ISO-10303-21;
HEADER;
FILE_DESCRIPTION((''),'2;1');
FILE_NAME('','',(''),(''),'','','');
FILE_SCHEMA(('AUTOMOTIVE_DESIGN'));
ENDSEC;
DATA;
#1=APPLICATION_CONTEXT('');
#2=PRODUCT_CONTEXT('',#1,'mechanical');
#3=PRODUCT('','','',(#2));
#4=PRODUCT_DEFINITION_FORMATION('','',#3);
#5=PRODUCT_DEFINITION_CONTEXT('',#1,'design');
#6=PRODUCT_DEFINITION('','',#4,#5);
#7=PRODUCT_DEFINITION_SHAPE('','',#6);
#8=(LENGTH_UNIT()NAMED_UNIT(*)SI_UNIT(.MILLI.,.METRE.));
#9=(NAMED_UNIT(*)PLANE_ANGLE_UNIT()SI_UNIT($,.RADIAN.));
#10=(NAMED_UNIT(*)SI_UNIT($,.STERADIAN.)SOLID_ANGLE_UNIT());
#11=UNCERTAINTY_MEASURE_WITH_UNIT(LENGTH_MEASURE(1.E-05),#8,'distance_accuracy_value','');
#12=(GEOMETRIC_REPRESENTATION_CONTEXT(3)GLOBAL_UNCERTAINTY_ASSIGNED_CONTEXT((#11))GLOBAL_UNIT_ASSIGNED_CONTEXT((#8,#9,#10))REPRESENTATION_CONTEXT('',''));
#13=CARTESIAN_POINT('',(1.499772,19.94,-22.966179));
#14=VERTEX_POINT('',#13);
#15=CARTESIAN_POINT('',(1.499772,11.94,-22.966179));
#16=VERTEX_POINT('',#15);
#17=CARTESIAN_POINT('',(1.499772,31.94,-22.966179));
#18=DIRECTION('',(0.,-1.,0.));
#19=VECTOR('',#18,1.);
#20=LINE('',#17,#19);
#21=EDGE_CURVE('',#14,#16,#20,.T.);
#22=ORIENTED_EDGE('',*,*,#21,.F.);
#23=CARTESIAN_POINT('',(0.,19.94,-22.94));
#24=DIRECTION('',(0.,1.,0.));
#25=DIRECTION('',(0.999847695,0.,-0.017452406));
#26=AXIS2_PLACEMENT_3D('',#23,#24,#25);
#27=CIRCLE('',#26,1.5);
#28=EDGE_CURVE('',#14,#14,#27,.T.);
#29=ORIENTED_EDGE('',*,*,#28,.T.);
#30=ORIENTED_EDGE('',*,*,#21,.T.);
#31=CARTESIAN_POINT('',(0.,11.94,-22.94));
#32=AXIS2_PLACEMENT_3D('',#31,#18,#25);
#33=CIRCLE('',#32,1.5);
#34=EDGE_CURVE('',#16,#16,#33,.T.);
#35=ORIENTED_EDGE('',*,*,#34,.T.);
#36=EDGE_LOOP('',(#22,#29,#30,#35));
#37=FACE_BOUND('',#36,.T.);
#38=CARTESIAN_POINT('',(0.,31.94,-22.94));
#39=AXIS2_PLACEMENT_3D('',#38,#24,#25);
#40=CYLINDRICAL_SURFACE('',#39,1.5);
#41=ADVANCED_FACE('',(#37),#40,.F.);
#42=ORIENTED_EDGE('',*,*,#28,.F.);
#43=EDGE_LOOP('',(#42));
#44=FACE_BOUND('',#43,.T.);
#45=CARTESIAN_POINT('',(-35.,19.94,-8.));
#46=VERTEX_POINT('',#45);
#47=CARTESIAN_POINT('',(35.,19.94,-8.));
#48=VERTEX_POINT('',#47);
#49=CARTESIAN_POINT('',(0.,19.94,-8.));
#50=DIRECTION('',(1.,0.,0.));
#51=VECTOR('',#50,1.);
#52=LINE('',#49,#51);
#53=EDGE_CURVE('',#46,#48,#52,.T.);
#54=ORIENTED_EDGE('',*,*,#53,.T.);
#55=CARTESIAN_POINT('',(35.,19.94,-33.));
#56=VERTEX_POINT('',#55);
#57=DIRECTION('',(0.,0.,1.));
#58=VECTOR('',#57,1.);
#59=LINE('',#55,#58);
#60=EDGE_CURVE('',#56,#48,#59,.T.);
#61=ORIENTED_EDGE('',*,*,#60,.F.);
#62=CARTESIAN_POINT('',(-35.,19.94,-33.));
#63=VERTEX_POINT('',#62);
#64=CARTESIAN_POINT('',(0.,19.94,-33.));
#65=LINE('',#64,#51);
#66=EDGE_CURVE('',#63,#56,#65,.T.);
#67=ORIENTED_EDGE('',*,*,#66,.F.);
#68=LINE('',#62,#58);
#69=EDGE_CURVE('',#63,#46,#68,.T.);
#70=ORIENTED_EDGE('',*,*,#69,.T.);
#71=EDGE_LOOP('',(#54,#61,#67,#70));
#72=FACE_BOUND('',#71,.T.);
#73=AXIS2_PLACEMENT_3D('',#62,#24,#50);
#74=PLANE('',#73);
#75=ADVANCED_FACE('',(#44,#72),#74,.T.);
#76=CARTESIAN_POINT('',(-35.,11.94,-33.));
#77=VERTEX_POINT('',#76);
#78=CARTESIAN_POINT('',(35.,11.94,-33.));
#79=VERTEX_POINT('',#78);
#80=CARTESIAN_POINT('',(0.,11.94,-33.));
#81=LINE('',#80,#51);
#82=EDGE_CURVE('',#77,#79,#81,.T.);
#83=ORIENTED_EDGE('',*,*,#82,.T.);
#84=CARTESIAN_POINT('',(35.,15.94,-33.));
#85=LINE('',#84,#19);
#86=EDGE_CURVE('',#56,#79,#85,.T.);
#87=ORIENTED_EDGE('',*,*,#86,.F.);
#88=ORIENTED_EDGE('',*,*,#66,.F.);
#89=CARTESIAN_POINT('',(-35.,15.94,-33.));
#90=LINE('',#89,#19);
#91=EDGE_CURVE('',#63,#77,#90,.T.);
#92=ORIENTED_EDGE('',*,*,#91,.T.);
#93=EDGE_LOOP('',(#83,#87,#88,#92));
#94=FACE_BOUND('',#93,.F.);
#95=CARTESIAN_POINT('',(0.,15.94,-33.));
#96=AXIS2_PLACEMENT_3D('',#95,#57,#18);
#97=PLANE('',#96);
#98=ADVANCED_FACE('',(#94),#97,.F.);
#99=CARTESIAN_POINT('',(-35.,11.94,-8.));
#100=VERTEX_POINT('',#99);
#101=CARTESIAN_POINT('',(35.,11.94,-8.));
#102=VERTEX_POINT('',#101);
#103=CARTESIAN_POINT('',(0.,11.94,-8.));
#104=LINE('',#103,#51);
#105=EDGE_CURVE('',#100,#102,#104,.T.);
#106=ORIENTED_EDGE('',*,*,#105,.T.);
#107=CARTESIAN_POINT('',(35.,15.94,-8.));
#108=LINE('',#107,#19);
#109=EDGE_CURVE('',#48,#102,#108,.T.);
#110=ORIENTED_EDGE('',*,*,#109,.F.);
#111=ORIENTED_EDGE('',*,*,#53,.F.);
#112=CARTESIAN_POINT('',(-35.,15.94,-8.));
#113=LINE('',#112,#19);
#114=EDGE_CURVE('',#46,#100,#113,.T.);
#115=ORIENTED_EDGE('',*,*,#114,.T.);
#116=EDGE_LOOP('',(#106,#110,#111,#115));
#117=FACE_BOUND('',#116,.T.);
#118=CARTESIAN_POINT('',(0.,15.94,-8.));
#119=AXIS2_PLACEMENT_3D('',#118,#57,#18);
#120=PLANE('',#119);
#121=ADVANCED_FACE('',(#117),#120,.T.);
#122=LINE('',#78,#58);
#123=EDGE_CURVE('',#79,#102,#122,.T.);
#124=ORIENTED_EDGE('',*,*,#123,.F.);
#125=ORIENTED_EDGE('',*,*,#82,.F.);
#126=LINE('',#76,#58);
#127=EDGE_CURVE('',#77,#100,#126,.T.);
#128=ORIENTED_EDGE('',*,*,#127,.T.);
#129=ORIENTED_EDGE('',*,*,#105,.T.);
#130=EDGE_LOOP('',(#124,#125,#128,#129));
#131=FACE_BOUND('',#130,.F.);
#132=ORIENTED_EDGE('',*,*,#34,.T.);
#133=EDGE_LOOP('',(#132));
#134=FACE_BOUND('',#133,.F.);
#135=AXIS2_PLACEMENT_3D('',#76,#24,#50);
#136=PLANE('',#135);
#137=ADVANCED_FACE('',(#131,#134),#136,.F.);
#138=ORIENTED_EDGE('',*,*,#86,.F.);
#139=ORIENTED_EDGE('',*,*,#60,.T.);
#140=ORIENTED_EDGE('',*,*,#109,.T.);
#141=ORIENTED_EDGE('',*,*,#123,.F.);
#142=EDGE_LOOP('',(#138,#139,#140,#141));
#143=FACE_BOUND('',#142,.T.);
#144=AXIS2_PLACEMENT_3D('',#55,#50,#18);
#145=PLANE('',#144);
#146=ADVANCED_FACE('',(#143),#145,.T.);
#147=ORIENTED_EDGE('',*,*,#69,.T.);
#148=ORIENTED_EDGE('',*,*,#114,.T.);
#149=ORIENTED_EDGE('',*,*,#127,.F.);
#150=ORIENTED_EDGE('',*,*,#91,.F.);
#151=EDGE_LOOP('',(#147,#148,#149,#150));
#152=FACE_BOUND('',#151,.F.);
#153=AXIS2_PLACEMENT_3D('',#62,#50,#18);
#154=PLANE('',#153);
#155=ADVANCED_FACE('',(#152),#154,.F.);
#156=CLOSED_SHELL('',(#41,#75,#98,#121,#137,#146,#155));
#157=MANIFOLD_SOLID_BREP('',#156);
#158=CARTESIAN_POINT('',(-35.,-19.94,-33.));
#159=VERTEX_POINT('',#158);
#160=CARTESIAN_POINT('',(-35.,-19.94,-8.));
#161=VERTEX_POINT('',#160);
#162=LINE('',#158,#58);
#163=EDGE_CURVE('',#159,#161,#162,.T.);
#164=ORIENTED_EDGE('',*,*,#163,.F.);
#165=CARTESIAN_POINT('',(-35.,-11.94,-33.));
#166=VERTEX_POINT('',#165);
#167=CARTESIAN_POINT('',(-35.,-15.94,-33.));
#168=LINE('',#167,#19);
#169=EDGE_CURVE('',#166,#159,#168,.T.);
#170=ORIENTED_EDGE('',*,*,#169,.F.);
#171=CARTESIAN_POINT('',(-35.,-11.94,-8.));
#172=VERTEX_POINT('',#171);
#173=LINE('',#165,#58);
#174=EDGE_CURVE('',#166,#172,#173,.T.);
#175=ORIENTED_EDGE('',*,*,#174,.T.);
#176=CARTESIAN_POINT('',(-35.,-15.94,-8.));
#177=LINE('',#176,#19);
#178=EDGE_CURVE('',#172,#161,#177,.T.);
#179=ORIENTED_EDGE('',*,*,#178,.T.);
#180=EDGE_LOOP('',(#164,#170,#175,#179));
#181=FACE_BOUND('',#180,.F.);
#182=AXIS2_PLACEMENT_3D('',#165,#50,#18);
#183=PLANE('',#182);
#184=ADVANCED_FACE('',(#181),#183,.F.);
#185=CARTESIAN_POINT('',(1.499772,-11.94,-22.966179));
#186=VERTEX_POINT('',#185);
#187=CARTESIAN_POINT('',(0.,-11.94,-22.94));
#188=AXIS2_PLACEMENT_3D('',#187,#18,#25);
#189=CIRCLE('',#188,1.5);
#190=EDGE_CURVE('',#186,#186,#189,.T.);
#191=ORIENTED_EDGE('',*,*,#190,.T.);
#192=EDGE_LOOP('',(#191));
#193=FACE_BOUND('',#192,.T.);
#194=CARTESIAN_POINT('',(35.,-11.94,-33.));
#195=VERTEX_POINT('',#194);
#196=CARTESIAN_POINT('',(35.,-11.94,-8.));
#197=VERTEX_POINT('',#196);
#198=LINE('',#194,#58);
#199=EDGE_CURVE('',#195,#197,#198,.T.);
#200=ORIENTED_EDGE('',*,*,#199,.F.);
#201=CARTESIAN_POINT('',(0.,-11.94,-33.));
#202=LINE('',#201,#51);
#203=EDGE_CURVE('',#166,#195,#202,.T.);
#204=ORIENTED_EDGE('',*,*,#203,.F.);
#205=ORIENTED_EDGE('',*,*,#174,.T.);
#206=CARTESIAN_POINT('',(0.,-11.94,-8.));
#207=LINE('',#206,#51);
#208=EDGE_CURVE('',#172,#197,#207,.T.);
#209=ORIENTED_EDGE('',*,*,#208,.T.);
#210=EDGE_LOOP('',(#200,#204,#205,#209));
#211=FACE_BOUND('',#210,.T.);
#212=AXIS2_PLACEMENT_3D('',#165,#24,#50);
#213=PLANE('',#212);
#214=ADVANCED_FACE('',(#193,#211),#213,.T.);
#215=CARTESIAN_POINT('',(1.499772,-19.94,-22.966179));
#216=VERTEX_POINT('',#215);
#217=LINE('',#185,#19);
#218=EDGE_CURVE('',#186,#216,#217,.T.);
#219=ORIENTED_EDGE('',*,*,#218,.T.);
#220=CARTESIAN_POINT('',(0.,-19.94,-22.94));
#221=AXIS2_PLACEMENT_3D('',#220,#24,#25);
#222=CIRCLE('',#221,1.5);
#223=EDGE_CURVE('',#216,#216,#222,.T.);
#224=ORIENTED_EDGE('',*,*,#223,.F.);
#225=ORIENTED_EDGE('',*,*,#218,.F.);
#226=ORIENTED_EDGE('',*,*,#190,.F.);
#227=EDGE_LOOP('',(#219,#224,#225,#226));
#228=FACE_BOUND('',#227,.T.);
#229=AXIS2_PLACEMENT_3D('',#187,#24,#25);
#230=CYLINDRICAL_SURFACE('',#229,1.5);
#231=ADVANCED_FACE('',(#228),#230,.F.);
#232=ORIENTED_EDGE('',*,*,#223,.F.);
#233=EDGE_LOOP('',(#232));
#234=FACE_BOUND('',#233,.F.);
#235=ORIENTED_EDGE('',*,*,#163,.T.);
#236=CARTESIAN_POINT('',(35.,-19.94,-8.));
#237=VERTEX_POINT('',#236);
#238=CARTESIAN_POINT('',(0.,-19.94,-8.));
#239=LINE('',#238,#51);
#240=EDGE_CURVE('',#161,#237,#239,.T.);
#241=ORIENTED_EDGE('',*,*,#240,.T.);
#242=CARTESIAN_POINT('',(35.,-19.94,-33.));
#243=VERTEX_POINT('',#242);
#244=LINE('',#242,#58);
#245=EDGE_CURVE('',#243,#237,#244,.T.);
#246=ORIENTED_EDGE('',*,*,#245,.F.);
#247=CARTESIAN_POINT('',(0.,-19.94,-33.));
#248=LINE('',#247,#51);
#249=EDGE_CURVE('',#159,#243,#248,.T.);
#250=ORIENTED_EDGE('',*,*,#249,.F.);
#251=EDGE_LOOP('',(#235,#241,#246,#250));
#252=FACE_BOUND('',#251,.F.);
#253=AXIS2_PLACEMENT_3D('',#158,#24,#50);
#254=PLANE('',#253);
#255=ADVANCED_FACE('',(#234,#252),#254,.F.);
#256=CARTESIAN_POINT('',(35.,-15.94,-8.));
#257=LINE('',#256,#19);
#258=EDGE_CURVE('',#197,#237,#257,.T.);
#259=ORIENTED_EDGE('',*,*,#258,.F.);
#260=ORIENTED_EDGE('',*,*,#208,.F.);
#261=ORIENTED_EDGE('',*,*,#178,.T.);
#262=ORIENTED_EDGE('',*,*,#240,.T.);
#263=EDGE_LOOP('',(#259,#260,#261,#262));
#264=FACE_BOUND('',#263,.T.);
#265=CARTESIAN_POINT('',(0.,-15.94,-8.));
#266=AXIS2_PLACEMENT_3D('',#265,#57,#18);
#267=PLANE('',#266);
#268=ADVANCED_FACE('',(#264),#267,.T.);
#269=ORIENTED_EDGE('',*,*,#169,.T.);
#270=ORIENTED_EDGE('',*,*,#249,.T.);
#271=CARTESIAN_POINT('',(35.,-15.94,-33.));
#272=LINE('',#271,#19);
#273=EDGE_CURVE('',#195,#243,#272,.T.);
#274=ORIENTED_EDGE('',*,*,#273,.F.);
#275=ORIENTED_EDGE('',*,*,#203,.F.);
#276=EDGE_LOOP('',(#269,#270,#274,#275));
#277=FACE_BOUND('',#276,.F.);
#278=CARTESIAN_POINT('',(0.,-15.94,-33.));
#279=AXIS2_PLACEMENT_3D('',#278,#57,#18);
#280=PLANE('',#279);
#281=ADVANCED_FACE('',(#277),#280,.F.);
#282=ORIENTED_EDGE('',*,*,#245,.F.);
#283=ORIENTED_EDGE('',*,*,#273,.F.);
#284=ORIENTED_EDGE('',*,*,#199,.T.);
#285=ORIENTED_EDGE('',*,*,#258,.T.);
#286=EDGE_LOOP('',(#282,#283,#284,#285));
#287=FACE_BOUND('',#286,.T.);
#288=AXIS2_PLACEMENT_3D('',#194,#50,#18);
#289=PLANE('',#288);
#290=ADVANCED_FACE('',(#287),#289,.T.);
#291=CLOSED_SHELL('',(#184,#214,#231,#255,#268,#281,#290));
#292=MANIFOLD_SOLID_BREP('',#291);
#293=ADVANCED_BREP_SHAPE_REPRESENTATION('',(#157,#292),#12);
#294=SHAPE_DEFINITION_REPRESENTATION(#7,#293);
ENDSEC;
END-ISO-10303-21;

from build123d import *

# Parameters (mm, degrees)
TORUS001_R               = 1.5
TORUS001_ANGLE           = 90
TORUS001_PITCH_ANGLE     = 90
TORUS001_PLACEMENT_ANGLE = -180
TORUS_R                  = 1.5
TORUS_ANGLE              = 90
TORUS_PITCH_ANGLE        = 90
CYLINDER021_R            = 1.5
CYLINDER021_DEPTH        = 20
CYLINDER021_ROLL_ANGLE   = 90
CYLINDER021_PITCH_ANGLE  = 1
CYLINDER020_R            = 1.5
CYLINDER020_DEPTH        = 20
CYLINDER020_ROLL_ANGLE   = 90
CYLINDER020_PITCH_ANGLE  = 1
BOX001_W                 = 0.7
BOX001_H                 = 0.4
BOX001_DEPTH             = 10
CYLINDER004_R            = 0.65
CYLINDER004_DEPTH        = 10
CYLINDER002_R            = 1.5
CYLINDER002_DEPTH        = 79
BOX002_W                 = 0.7
BOX002_H                 = 0.4
BOX002_DEPTH             = 10
CYLINDER003_R            = 0.65
CYLINDER003_DEPTH        = 10
CYLINDER001_R            = 1.5
CYLINDER001_DEPTH        = 79
BOX011_W                 = 8
BOX011_H                 = 70
BOX011_DEPTH             = 25
BOX011_PLACEMENT_ANGLE   = -90
BOX010_W                 = 8
BOX010_H                 = 70
BOX010_DEPTH             = 25
BOX010_PLACEMENT_ANGLE   = -90


with BuildPart() as f_316_bent002:
    # Torus001 → Torus001 (revolve)
    with BuildSketch(Plane.XZ):
        with Locations((7.94, 0)):
            Circle(TORUS001_R)
    revolve(axis=Axis((0, 0, 0), (0, 0, 1)), revolution_arc=TORUS001_ANGLE)


with BuildPart() as f_316_bent002_1:
    # Torus001 pitch: moved
    add(f_316_bent002.part.rotate(Axis((0, 0, 0), (0, 1, 0)), TORUS001_PITCH_ANGLE))


with BuildPart() as f_316_bent002_2:
    # Torus001 placement: moved
    add(f_316_bent002_1.part.moved(Location((0, 11.94, -15))).rotate(Axis((0, 11.94, -15), (0, 0, 1)), TORUS001_PLACEMENT_ANGLE))


with BuildPart() as f_316_bent:
    # Torus → Torus (revolve)
    with BuildSketch(Plane.XZ):
        with Locations((7.94, 0)):
            Circle(TORUS_R)
    revolve(axis=Axis((0, 0, 0), (0, 0, 1)), revolution_arc=TORUS_ANGLE)


with BuildPart() as f_316_bent_1:
    # Torus pitch: moved
    add(f_316_bent.part.rotate(Axis((0, 0, 0), (0, 1, 0)), TORUS_PITCH_ANGLE))


with BuildPart() as f_316_bent_2:
    # Torus placement: moved
    add(f_316_bent_1.part.moved(Location((0, -11.94, -15))))

    # Fusion027: union 316-Bent002
    add(f_316_bent002_2.part)


with BuildPart() as f_316_terminal002:
    # Cylinder021 → Cylinder021 (new body)
    with BuildSketch(Plane.XY):
        Circle(CYLINDER021_R)
    extrude(amount=CYLINDER021_DEPTH)


with BuildPart() as f_316_terminal002_1:
    # Cylinder021 roll: moved
    add(f_316_terminal002.part.rotate(Axis((0, 0, 0), (1, 0, 0)), CYLINDER021_ROLL_ANGLE))


with BuildPart() as f_316_terminal002_2:
    # Cylinder021 pitch: moved
    add(f_316_terminal002_1.part.rotate(Axis((0, 0, 0), (0, 1, 0)), CYLINDER021_PITCH_ANGLE))


with BuildPart() as f_316_terminal002_3:
    # Cylinder021 placement: moved
    add(f_316_terminal002_2.part.moved(Location((0, 31.94, -22.94))))


with BuildPart() as f_316_bottom:
    # Cylinder020 → Cylinder020 (new body)
    with BuildSketch(Plane.XY):
        Circle(CYLINDER020_R)
    extrude(amount=CYLINDER020_DEPTH)


with BuildPart() as f_316_bottom_1:
    # Cylinder020 roll: moved
    add(f_316_bottom.part.rotate(Axis((0, 0, 0), (1, 0, 0)), CYLINDER020_ROLL_ANGLE))


with BuildPart() as f_316_bottom_2:
    # Cylinder020 pitch: moved
    add(f_316_bottom_1.part.rotate(Axis((0, 0, 0), (0, 1, 0)), CYLINDER020_PITCH_ANGLE))


with BuildPart() as f_316_bottom_3:
    # Cylinder020 placement: moved
    add(f_316_bottom_2.part.moved(Location((0, -11.94, -22.94))))

    # Fusion026: union 316-Terminal002
    add(f_316_terminal002_3.part)

    # Fusion028: union 316-Bent
    add(f_316_bent_2.part)


with BuildPart() as cube:
    # Box001 → Box001 (new body)
    with BuildSketch(Plane(origin=(-0.35, 2.5, 48), x_dir=(1, 0, 0), z_dir=(0, 0, 1))):
        with Locations((0.35, 0.2)):
            Rectangle(BOX001_W, BOX001_H)
    extrude(amount=BOX001_DEPTH)


with BuildPart() as fusion003:
    # Cylinder004 → Cylinder004 (new body)
    with BuildSketch(Plane(origin=(0, 3.3, 48), x_dir=(1, 0, 0), z_dir=(0, 0, 1))):
        Circle(CYLINDER004_R)
    extrude(amount=CYLINDER004_DEPTH)

    # Fusion003: union Cube
    add(cube.part)


with BuildPart() as f_316_grooved002:
    # Cylinder002 → Cylinder002 (new body)
    with BuildSketch(Plane(origin=(0, 4, -21), x_dir=(1, 0, 0), z_dir=(0, 0, 1))):
        Circle(CYLINDER002_R)
    extrude(amount=CYLINDER002_DEPTH)

    # Cut012: cut Fusion003
    add(fusion003.part, mode=Mode.SUBTRACT)


with BuildPart() as cube001:
    # Box002 → Box002 (new body)
    with BuildSketch(Plane(origin=(-0.35, -2.9, 48), x_dir=(1, 0, 0), z_dir=(0, 0, 1))):
        with Locations((0.35, 0.2)):
            Rectangle(BOX002_W, BOX002_H)
    extrude(amount=BOX002_DEPTH)


with BuildPart() as fusion004:
    # Cylinder003 → Cylinder003 (new body)
    with BuildSketch(Plane(origin=(0, -3.3, 48), x_dir=(1, 0, 0), z_dir=(0, 0, 1))):
        Circle(CYLINDER003_R)
    extrude(amount=CYLINDER003_DEPTH)

    # Fusion004: union Cube001
    add(cube001.part)


with BuildPart() as fusion029:
    # Cylinder001 → Cylinder001 (new body)
    with BuildSketch(Plane(origin=(0, -4, -21), x_dir=(1, 0, 0), z_dir=(0, 0, 1))):
        Circle(CYLINDER001_R)
    extrude(amount=CYLINDER001_DEPTH)

    # Cut011: cut Fusion004
    add(fusion004.part, mode=Mode.SUBTRACT)

    # Fusion025: union 316-Grooved002
    add(f_316_grooved002.part)


with BuildPart() as fusion029_1:
    # Fusion025 placement: moved
    add(fusion029.part.moved(Location((0, 0, 6))))

    # Fusion029: union 316-Bottom
    add(f_316_bottom_3.part)


with BuildPart() as wood004:
    # Box011 → Box011 (new body)
    with BuildSketch(Plane.XY):
        with Locations((4, 35)):
            Rectangle(BOX011_W, BOX011_H)
    extrude(amount=BOX011_DEPTH)


with BuildPart() as wood004_1:
    # Box011 placement: moved
    add(wood004.part.moved(Location((-35, 19.94, -33))).rotate(Axis((-35, 19.94, -33), (0, 0, 1)), BOX011_PLACEMENT_ANGLE))


with BuildPart() as wood_down002:
    # Box010 → Box010 (new body)
    with BuildSketch(Plane.XY):
        with Locations((4, 35)):
            Rectangle(BOX010_W, BOX010_H)
    extrude(amount=BOX010_DEPTH)


with BuildPart() as wood_down002_1:
    # Box010 placement: moved
    add(wood_down002.part.moved(Location((-35, -11.94, -33))).rotate(Axis((-35, -11.94, -33), (0, 0, 1)), BOX010_PLACEMENT_ANGLE))

    # Fusion031: union Wood004
    add(wood004_1.part)

    # Cut020: cut Fusion029
    add(fusion029_1.part, mode=Mode.SUBTRACT)


solid = wood_down002_1.part
